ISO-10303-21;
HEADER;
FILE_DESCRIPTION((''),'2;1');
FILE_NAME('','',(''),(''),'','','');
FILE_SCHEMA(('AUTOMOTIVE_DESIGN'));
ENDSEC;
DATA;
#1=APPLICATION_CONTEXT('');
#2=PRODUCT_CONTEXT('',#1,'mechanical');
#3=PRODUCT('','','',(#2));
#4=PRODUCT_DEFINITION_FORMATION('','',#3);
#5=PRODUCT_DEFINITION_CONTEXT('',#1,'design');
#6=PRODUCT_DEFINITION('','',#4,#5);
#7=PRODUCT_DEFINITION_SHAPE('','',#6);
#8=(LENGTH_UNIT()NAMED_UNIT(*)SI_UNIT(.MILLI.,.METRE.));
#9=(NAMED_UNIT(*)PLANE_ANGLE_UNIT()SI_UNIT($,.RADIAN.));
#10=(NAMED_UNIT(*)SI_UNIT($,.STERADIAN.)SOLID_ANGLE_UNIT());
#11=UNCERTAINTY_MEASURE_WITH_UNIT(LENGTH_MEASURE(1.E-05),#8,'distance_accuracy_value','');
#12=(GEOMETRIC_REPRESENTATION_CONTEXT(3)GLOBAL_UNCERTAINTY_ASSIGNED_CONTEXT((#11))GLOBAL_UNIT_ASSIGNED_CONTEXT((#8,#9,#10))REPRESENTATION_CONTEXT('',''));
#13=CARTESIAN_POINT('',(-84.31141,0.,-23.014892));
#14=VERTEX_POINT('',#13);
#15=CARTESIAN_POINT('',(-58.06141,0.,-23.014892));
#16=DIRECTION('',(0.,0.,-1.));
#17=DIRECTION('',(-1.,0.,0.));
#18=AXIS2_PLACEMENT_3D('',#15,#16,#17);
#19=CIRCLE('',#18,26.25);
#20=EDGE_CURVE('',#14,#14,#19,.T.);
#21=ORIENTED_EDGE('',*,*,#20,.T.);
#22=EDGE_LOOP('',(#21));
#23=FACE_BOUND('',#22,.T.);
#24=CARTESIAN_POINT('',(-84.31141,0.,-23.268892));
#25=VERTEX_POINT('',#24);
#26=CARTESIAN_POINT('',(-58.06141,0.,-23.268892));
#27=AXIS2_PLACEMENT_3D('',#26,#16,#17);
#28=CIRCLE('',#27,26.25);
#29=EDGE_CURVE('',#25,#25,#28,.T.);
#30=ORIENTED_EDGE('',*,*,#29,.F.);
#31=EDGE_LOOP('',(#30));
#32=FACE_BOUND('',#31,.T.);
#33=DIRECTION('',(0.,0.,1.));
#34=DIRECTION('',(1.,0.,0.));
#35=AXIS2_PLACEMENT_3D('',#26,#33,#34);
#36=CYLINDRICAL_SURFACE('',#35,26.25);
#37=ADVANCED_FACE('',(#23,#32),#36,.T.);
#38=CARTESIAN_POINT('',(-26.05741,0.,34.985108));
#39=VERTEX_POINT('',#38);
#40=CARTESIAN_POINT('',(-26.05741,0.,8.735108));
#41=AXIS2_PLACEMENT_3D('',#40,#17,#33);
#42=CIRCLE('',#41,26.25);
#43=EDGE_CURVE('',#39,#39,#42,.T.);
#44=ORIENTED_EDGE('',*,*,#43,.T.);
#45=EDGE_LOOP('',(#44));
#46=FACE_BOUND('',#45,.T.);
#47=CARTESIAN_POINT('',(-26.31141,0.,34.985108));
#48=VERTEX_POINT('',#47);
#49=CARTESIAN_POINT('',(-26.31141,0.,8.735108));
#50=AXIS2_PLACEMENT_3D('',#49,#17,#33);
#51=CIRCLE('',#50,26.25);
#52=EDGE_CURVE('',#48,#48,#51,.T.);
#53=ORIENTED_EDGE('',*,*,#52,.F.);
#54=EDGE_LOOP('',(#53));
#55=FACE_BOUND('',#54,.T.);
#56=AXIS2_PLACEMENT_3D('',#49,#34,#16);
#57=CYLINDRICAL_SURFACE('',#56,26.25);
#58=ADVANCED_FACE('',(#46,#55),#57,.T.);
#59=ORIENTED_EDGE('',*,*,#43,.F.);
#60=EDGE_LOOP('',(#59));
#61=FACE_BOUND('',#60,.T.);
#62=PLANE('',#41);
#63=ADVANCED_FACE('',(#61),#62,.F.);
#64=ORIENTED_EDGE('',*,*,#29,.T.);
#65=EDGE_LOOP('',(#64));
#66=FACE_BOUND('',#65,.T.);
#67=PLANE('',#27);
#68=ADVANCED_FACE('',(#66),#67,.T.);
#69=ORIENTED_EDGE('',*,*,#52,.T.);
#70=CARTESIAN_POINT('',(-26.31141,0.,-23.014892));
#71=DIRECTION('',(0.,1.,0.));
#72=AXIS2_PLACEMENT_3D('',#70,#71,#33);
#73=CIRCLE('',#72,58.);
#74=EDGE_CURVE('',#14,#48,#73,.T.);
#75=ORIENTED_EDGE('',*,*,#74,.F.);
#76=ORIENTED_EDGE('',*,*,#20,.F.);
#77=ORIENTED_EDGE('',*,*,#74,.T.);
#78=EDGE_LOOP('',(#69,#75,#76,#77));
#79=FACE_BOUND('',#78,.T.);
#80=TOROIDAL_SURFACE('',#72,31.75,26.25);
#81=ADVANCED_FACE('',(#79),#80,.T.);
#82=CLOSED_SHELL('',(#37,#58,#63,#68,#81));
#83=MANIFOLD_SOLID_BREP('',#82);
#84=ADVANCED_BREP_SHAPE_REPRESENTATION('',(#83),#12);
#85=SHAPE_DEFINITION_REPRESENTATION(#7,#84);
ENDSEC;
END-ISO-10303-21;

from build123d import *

# Parameters (mm, degrees)
SWEEP2_PROFILE_R = 26.25


with BuildPart() as part:
    # Sweep2: sweep along a path in Sketch9
    with BuildLine(Plane(origin=(0, 0, 0), x_dir=(1, 0, 0), z_dir=(0, 1, 0))) as sweep2_path:
        Line((-58.061409572, 23.268891831), (-58.061409572, 23.014891831))
        ThreePointArc((-58.061409572, 23.014891831), (-48.762049874, 0.564251528), (-26.311409572, -8.735108169))
        Line((-26.311409572, -8.735108169), (-26.057409572, -8.735108169))
    # Sweep2 profile (on start of the path) → Sweep2 (sweep)
    with BuildSketch(Plane(origin=(-58.061409572, 0, -23.268891831), x_dir=(1, 0, 0), z_dir=(0, 0, 1))):
        Circle(SWEEP2_PROFILE_R)
    sweep(path=sweep2_path.line)


solid = part.part
